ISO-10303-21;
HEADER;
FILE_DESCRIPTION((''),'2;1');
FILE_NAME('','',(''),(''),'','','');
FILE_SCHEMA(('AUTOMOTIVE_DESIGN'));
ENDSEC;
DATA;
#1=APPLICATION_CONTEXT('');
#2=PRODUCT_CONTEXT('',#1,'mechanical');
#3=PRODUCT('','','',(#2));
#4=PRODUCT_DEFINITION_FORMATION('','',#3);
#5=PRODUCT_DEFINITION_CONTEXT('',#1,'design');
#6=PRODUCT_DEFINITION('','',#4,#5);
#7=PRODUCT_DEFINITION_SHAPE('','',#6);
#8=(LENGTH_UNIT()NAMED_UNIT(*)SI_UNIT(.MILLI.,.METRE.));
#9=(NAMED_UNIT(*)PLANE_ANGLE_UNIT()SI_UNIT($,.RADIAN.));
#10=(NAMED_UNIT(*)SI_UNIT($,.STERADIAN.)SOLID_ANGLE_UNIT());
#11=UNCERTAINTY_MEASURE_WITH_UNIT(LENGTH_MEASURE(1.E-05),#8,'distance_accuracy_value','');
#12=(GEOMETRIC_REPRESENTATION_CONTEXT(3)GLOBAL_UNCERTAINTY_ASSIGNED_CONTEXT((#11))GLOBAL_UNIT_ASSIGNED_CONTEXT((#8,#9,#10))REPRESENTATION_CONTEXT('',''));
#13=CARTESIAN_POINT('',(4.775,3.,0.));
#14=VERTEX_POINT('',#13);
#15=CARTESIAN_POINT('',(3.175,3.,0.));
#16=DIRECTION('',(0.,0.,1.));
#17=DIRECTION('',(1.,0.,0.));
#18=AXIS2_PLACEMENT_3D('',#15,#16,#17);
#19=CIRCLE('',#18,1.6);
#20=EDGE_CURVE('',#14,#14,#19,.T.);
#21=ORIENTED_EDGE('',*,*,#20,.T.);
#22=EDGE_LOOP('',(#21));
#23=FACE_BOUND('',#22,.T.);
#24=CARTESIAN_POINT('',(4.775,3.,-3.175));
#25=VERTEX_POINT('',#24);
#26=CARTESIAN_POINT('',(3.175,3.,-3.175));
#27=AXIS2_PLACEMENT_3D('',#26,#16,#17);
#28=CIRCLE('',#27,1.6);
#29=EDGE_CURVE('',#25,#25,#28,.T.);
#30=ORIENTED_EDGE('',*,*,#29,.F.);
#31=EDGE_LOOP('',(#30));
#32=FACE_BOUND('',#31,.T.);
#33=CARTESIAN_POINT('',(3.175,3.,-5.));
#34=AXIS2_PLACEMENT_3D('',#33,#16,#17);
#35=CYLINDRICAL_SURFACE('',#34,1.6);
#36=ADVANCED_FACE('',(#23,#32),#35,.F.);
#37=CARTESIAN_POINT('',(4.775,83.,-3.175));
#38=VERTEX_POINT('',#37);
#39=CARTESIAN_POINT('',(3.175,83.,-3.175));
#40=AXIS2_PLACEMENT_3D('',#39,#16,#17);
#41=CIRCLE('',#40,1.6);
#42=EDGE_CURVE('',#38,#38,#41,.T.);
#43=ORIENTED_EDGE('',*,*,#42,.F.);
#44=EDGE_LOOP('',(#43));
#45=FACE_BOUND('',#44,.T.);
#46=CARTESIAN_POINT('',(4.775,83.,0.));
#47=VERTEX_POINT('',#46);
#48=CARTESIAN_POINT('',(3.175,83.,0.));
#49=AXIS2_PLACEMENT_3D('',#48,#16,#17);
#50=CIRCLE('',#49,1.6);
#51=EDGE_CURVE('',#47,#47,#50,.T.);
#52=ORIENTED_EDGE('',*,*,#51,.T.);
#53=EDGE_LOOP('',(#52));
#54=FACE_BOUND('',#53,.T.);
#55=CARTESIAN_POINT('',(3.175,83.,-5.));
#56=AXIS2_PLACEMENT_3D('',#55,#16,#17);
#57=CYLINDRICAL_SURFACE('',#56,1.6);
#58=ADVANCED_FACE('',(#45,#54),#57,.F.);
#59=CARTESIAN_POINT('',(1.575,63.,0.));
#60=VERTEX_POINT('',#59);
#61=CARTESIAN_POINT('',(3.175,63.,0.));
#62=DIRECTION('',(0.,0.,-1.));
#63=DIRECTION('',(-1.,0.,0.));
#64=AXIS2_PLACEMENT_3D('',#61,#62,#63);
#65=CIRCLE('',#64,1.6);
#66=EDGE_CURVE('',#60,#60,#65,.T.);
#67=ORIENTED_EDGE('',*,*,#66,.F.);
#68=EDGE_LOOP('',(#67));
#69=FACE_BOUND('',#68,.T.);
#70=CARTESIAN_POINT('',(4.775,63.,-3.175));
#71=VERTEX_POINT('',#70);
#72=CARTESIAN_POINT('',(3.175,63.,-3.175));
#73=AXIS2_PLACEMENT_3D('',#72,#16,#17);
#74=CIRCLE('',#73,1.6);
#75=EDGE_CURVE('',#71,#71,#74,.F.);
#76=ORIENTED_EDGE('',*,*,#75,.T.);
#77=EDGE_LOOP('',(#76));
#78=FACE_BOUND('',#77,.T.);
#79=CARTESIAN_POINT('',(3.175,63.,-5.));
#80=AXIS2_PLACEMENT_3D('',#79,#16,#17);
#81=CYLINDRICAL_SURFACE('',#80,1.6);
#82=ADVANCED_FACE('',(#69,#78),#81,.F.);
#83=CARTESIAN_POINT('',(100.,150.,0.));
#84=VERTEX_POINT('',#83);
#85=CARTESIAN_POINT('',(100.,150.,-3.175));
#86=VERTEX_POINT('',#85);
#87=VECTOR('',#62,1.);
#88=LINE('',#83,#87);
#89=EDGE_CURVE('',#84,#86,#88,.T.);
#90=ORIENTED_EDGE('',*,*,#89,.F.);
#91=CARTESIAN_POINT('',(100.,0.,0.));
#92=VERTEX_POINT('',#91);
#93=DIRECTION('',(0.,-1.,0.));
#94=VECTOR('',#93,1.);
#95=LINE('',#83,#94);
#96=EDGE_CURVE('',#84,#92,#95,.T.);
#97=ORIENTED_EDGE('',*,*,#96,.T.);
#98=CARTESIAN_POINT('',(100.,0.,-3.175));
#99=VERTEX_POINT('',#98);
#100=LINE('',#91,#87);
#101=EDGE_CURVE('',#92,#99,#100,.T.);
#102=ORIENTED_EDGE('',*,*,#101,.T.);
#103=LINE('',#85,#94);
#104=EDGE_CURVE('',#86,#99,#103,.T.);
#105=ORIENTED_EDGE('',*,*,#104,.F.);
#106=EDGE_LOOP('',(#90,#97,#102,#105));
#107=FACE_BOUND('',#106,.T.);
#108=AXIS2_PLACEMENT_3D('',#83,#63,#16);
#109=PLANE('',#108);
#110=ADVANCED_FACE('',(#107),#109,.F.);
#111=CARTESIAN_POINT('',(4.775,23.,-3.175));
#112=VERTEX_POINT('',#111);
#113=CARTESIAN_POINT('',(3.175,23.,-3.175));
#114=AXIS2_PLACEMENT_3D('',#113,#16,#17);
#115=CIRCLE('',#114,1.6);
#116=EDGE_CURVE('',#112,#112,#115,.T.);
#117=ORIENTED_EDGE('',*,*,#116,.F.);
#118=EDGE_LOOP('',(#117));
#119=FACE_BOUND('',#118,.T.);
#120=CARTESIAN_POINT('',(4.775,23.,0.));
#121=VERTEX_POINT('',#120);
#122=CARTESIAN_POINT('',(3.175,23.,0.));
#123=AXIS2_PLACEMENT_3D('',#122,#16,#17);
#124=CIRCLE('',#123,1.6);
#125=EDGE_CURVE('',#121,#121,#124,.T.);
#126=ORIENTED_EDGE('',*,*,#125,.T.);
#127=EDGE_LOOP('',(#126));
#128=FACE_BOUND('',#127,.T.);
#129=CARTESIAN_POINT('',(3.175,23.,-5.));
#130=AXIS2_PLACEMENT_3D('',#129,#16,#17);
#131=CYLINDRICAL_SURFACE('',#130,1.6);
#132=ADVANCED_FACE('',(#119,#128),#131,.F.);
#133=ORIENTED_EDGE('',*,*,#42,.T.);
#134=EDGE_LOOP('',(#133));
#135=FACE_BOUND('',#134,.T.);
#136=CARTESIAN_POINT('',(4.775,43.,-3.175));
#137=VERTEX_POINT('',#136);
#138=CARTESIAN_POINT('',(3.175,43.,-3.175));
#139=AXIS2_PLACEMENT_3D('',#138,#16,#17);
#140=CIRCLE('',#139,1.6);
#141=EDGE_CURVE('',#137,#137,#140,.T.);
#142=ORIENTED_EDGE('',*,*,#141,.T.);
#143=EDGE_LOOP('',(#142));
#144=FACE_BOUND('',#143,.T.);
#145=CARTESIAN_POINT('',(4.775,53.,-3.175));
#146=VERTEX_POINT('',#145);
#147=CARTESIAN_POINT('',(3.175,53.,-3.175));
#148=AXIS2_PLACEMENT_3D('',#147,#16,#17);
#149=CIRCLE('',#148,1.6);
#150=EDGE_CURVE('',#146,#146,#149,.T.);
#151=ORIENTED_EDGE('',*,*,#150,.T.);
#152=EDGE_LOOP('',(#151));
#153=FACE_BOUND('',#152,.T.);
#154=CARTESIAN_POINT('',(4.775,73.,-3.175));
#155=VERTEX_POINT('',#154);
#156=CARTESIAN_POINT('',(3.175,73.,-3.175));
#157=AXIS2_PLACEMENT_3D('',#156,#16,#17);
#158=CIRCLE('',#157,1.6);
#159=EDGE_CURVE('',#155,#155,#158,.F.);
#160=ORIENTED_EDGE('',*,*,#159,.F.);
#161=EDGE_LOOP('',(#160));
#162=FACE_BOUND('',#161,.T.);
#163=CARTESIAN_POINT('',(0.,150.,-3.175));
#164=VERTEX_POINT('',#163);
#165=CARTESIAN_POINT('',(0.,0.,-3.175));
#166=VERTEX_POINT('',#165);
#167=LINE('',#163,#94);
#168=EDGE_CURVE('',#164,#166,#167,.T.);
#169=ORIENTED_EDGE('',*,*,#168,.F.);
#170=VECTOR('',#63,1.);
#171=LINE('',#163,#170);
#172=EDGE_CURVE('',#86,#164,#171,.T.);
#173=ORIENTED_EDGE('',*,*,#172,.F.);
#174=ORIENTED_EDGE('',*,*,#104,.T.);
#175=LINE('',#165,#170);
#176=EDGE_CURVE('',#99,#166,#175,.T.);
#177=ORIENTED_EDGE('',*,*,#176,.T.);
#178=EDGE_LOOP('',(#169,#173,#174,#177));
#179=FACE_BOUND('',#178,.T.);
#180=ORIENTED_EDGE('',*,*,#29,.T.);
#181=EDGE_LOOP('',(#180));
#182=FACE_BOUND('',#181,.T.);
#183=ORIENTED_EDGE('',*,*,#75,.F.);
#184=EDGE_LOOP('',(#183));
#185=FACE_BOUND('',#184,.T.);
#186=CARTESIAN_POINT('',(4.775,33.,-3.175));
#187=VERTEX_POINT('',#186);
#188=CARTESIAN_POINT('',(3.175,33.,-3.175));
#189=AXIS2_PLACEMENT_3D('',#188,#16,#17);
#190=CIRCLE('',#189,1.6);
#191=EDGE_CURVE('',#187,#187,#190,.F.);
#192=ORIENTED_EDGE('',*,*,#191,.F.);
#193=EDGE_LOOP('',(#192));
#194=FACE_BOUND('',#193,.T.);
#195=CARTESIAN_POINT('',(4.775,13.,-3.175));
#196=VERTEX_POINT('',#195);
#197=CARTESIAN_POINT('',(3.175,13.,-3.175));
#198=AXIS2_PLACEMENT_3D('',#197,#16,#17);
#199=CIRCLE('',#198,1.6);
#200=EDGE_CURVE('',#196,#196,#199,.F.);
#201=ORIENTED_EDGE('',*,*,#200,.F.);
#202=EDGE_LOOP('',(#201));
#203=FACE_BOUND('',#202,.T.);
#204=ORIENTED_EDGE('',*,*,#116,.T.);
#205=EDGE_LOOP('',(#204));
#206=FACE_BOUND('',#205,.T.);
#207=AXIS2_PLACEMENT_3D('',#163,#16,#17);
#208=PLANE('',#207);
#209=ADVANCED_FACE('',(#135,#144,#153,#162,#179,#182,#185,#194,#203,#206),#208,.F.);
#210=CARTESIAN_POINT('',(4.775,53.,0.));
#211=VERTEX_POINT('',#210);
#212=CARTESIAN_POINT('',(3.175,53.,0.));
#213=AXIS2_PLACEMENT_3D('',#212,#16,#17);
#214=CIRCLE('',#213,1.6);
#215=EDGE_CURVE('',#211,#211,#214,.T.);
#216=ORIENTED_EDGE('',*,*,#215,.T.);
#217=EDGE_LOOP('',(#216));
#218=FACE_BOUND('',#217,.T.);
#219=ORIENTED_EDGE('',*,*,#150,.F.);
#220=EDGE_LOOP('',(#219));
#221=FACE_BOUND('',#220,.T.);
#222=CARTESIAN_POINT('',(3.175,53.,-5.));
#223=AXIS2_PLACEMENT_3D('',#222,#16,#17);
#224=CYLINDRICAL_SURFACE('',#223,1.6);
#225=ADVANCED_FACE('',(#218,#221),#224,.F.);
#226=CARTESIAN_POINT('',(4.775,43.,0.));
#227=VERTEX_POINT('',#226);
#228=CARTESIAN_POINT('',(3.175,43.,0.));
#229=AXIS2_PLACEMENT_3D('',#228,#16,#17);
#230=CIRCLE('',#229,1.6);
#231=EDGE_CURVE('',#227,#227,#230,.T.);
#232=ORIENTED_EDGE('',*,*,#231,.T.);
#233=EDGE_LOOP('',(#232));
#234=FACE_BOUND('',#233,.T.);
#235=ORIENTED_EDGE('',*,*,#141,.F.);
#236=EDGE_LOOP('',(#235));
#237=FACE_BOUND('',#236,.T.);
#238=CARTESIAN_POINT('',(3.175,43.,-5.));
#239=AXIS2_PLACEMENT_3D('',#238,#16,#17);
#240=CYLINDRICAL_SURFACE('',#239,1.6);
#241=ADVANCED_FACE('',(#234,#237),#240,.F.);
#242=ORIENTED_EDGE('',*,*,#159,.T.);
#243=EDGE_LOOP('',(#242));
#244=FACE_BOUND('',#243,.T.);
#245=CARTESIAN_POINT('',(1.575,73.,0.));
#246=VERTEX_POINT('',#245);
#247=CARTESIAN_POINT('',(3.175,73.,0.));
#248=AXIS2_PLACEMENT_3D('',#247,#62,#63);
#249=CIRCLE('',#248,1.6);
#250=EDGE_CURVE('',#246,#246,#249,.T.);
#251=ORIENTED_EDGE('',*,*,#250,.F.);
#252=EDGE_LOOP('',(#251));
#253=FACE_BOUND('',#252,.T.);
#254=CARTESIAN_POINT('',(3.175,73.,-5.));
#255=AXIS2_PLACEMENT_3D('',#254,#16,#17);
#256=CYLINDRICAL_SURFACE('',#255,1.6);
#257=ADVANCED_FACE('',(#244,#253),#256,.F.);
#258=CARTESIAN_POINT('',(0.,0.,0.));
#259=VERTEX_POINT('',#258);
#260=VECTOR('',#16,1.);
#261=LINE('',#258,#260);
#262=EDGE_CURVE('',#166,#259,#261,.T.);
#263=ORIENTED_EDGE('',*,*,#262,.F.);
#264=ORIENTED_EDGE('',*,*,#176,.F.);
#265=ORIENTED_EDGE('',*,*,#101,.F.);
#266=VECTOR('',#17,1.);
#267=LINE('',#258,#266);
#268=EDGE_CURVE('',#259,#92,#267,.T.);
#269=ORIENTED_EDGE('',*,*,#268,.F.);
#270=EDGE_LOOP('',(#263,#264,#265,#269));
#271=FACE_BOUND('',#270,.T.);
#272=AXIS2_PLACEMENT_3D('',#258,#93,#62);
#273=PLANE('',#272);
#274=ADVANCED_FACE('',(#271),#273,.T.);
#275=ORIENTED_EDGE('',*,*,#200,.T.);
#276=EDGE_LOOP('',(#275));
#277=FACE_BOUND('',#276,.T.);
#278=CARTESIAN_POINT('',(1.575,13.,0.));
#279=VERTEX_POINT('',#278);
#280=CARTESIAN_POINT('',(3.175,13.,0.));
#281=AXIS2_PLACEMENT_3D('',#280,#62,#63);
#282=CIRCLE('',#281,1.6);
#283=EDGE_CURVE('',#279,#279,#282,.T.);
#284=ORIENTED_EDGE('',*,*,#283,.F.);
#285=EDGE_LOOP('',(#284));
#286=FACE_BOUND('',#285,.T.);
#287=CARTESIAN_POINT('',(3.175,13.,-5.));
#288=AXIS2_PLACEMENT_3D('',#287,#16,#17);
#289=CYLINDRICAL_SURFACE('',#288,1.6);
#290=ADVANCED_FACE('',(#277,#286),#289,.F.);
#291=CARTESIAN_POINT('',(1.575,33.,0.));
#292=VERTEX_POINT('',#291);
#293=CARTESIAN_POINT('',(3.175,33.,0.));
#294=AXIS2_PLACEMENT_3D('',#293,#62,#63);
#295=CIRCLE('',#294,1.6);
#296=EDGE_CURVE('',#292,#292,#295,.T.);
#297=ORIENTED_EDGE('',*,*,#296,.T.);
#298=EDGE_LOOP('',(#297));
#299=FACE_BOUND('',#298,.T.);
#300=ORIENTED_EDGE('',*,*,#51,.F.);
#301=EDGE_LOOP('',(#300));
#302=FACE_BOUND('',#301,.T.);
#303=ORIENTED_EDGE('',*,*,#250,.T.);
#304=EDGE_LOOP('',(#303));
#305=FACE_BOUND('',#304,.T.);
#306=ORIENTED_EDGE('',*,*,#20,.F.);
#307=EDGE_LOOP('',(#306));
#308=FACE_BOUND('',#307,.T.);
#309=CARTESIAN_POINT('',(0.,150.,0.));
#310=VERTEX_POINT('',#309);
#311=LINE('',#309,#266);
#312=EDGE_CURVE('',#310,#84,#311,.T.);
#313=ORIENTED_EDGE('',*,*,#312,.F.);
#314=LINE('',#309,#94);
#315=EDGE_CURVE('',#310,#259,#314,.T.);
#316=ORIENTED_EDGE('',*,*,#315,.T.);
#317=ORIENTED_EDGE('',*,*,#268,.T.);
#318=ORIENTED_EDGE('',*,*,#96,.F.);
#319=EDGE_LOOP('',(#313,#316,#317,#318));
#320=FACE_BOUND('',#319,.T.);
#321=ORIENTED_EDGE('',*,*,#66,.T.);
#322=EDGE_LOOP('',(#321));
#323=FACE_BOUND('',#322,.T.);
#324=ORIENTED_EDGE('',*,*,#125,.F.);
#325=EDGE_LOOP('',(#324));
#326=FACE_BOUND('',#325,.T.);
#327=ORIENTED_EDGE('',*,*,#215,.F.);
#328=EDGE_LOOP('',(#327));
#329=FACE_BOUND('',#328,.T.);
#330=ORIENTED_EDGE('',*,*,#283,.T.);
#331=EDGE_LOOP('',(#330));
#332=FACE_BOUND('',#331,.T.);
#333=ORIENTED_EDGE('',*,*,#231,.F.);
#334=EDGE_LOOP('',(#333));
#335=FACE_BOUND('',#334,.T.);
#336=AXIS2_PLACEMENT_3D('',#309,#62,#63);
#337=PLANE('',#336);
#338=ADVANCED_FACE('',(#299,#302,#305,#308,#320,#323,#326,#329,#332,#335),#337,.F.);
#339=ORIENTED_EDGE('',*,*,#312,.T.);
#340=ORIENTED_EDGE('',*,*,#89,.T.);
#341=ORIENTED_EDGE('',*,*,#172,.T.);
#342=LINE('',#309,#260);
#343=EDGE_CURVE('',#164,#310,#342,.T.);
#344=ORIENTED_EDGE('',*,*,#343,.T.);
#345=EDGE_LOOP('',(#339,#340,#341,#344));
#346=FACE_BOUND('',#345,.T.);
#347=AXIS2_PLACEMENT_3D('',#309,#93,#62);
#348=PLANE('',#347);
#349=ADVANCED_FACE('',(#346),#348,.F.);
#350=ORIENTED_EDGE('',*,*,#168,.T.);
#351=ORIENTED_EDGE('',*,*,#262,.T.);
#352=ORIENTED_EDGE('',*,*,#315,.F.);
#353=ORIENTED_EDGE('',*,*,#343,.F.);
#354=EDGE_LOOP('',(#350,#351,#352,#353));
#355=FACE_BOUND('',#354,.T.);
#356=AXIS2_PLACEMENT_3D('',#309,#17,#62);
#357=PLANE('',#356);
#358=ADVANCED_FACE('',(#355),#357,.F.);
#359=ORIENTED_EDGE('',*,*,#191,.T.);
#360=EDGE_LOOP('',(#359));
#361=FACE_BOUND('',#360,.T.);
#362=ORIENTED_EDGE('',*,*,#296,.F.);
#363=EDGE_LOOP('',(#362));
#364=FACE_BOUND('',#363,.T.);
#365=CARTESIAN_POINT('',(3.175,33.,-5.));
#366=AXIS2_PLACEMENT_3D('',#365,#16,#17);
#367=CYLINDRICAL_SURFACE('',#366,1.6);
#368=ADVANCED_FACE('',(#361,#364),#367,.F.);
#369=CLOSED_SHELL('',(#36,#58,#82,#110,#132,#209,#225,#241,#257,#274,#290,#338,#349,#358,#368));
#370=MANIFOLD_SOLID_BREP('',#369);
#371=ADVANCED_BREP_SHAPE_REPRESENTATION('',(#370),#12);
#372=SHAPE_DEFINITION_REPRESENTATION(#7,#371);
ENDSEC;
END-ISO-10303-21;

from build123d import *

# Parameters (mm, degrees)
SKETCH1_W           = 100
SKETCH1_H           = 3.175
BOSS_EXTRUDE1_DEPTH = 150
SKETCH2_R           = 1.6
CUT_EXTRUDE2_DEPTH  = 5
SKETCH2_14_R        = 1.6
CUT_EXTRUDE3_DEPTH  = 5
SKETCH2_15_R        = 1.6
CUT_EXTRUDE4_DEPTH  = 5
SKETCH2_16_R        = 1.6
CUT_EXTRUDE5_DEPTH  = 5
SKETCH2_17_R        = 1.6
CUT_EXTRUDE6_DEPTH  = 5
SKETCH2_18_R        = 1.6
CUT_EXTRUDE7_DEPTH  = 5
SKETCH2_19_R        = 1.6
CUT_EXTRUDE8_DEPTH  = 5
SKETCH2_20_R        = 1.6
CUT_EXTRUDE9_DEPTH  = 5
SKETCH2_21_R        = 1.6
CUT_EXTRUDE10_DEPTH = 5


with BuildPart() as part:
    # Sketch1 → Boss-Extrude1 (new body)
    with BuildSketch(Plane(origin=(0, 0, 0), x_dir=(1, 0, 0), z_dir=(0, 1, 0))):
        with Locations((50, 1.5875)):
            Rectangle(SKETCH1_W, SKETCH1_H)
    extrude(amount=BOSS_EXTRUDE1_DEPTH)

    # Sketch2 → Cut-Extrude2 (cut)
    with BuildSketch(Plane.XY):
        with Locations((3.175, 83)):
            Circle(SKETCH2_R)
    extrude(amount=-CUT_EXTRUDE2_DEPTH, mode=Mode.SUBTRACT)

    # Sketch2<14> → Cut-Extrude3 (cut)
    with BuildSketch(Plane.XY):
        with Locations((3.175, 73)):
            Circle(SKETCH2_14_R)
    extrude(amount=-CUT_EXTRUDE3_DEPTH, mode=Mode.SUBTRACT)

    # Sketch2<15> → Cut-Extrude4 (cut)
    with BuildSketch(Plane.XY):
        with Locations((3.175, 53)):
            Circle(SKETCH2_15_R)
    extrude(amount=-CUT_EXTRUDE4_DEPTH, mode=Mode.SUBTRACT)

    # Sketch2<16> → Cut-Extrude5 (cut)
    with BuildSketch(Plane.XY):
        with Locations((3.175, 63)):
            Circle(SKETCH2_16_R)
    extrude(amount=-CUT_EXTRUDE5_DEPTH, mode=Mode.SUBTRACT)

    # Sketch2<17> → Cut-Extrude6 (cut)
    with BuildSketch(Plane.XY):
        with Locations((3.175, 43)):
            Circle(SKETCH2_17_R)
    extrude(amount=-CUT_EXTRUDE6_DEPTH, mode=Mode.SUBTRACT)

    # Sketch2<18> → Cut-Extrude7 (cut)
    with BuildSketch(Plane.XY):
        with Locations((3.175, 33)):
            Circle(SKETCH2_18_R)
    extrude(amount=-CUT_EXTRUDE7_DEPTH, mode=Mode.SUBTRACT)

    # Sketch2<19> → Cut-Extrude8 (cut)
    with BuildSketch(Plane.XY):
        with Locations((3.175, 23)):
            Circle(SKETCH2_19_R)
    extrude(amount=-CUT_EXTRUDE8_DEPTH, mode=Mode.SUBTRACT)

    # Sketch2<20> → Cut-Extrude9 (cut)
    with BuildSketch(Plane.XY):
        with Locations((3.175, 13)):
            Circle(SKETCH2_20_R)
    extrude(amount=-CUT_EXTRUDE9_DEPTH, mode=Mode.SUBTRACT)

    # Sketch2<21> → Cut-Extrude10 (cut)
    with BuildSketch(Plane.XY):
        with Locations((3.175, 3)):
            Circle(SKETCH2_21_R)
    extrude(amount=-CUT_EXTRUDE10_DEPTH, mode=Mode.SUBTRACT)


solid = part.part
